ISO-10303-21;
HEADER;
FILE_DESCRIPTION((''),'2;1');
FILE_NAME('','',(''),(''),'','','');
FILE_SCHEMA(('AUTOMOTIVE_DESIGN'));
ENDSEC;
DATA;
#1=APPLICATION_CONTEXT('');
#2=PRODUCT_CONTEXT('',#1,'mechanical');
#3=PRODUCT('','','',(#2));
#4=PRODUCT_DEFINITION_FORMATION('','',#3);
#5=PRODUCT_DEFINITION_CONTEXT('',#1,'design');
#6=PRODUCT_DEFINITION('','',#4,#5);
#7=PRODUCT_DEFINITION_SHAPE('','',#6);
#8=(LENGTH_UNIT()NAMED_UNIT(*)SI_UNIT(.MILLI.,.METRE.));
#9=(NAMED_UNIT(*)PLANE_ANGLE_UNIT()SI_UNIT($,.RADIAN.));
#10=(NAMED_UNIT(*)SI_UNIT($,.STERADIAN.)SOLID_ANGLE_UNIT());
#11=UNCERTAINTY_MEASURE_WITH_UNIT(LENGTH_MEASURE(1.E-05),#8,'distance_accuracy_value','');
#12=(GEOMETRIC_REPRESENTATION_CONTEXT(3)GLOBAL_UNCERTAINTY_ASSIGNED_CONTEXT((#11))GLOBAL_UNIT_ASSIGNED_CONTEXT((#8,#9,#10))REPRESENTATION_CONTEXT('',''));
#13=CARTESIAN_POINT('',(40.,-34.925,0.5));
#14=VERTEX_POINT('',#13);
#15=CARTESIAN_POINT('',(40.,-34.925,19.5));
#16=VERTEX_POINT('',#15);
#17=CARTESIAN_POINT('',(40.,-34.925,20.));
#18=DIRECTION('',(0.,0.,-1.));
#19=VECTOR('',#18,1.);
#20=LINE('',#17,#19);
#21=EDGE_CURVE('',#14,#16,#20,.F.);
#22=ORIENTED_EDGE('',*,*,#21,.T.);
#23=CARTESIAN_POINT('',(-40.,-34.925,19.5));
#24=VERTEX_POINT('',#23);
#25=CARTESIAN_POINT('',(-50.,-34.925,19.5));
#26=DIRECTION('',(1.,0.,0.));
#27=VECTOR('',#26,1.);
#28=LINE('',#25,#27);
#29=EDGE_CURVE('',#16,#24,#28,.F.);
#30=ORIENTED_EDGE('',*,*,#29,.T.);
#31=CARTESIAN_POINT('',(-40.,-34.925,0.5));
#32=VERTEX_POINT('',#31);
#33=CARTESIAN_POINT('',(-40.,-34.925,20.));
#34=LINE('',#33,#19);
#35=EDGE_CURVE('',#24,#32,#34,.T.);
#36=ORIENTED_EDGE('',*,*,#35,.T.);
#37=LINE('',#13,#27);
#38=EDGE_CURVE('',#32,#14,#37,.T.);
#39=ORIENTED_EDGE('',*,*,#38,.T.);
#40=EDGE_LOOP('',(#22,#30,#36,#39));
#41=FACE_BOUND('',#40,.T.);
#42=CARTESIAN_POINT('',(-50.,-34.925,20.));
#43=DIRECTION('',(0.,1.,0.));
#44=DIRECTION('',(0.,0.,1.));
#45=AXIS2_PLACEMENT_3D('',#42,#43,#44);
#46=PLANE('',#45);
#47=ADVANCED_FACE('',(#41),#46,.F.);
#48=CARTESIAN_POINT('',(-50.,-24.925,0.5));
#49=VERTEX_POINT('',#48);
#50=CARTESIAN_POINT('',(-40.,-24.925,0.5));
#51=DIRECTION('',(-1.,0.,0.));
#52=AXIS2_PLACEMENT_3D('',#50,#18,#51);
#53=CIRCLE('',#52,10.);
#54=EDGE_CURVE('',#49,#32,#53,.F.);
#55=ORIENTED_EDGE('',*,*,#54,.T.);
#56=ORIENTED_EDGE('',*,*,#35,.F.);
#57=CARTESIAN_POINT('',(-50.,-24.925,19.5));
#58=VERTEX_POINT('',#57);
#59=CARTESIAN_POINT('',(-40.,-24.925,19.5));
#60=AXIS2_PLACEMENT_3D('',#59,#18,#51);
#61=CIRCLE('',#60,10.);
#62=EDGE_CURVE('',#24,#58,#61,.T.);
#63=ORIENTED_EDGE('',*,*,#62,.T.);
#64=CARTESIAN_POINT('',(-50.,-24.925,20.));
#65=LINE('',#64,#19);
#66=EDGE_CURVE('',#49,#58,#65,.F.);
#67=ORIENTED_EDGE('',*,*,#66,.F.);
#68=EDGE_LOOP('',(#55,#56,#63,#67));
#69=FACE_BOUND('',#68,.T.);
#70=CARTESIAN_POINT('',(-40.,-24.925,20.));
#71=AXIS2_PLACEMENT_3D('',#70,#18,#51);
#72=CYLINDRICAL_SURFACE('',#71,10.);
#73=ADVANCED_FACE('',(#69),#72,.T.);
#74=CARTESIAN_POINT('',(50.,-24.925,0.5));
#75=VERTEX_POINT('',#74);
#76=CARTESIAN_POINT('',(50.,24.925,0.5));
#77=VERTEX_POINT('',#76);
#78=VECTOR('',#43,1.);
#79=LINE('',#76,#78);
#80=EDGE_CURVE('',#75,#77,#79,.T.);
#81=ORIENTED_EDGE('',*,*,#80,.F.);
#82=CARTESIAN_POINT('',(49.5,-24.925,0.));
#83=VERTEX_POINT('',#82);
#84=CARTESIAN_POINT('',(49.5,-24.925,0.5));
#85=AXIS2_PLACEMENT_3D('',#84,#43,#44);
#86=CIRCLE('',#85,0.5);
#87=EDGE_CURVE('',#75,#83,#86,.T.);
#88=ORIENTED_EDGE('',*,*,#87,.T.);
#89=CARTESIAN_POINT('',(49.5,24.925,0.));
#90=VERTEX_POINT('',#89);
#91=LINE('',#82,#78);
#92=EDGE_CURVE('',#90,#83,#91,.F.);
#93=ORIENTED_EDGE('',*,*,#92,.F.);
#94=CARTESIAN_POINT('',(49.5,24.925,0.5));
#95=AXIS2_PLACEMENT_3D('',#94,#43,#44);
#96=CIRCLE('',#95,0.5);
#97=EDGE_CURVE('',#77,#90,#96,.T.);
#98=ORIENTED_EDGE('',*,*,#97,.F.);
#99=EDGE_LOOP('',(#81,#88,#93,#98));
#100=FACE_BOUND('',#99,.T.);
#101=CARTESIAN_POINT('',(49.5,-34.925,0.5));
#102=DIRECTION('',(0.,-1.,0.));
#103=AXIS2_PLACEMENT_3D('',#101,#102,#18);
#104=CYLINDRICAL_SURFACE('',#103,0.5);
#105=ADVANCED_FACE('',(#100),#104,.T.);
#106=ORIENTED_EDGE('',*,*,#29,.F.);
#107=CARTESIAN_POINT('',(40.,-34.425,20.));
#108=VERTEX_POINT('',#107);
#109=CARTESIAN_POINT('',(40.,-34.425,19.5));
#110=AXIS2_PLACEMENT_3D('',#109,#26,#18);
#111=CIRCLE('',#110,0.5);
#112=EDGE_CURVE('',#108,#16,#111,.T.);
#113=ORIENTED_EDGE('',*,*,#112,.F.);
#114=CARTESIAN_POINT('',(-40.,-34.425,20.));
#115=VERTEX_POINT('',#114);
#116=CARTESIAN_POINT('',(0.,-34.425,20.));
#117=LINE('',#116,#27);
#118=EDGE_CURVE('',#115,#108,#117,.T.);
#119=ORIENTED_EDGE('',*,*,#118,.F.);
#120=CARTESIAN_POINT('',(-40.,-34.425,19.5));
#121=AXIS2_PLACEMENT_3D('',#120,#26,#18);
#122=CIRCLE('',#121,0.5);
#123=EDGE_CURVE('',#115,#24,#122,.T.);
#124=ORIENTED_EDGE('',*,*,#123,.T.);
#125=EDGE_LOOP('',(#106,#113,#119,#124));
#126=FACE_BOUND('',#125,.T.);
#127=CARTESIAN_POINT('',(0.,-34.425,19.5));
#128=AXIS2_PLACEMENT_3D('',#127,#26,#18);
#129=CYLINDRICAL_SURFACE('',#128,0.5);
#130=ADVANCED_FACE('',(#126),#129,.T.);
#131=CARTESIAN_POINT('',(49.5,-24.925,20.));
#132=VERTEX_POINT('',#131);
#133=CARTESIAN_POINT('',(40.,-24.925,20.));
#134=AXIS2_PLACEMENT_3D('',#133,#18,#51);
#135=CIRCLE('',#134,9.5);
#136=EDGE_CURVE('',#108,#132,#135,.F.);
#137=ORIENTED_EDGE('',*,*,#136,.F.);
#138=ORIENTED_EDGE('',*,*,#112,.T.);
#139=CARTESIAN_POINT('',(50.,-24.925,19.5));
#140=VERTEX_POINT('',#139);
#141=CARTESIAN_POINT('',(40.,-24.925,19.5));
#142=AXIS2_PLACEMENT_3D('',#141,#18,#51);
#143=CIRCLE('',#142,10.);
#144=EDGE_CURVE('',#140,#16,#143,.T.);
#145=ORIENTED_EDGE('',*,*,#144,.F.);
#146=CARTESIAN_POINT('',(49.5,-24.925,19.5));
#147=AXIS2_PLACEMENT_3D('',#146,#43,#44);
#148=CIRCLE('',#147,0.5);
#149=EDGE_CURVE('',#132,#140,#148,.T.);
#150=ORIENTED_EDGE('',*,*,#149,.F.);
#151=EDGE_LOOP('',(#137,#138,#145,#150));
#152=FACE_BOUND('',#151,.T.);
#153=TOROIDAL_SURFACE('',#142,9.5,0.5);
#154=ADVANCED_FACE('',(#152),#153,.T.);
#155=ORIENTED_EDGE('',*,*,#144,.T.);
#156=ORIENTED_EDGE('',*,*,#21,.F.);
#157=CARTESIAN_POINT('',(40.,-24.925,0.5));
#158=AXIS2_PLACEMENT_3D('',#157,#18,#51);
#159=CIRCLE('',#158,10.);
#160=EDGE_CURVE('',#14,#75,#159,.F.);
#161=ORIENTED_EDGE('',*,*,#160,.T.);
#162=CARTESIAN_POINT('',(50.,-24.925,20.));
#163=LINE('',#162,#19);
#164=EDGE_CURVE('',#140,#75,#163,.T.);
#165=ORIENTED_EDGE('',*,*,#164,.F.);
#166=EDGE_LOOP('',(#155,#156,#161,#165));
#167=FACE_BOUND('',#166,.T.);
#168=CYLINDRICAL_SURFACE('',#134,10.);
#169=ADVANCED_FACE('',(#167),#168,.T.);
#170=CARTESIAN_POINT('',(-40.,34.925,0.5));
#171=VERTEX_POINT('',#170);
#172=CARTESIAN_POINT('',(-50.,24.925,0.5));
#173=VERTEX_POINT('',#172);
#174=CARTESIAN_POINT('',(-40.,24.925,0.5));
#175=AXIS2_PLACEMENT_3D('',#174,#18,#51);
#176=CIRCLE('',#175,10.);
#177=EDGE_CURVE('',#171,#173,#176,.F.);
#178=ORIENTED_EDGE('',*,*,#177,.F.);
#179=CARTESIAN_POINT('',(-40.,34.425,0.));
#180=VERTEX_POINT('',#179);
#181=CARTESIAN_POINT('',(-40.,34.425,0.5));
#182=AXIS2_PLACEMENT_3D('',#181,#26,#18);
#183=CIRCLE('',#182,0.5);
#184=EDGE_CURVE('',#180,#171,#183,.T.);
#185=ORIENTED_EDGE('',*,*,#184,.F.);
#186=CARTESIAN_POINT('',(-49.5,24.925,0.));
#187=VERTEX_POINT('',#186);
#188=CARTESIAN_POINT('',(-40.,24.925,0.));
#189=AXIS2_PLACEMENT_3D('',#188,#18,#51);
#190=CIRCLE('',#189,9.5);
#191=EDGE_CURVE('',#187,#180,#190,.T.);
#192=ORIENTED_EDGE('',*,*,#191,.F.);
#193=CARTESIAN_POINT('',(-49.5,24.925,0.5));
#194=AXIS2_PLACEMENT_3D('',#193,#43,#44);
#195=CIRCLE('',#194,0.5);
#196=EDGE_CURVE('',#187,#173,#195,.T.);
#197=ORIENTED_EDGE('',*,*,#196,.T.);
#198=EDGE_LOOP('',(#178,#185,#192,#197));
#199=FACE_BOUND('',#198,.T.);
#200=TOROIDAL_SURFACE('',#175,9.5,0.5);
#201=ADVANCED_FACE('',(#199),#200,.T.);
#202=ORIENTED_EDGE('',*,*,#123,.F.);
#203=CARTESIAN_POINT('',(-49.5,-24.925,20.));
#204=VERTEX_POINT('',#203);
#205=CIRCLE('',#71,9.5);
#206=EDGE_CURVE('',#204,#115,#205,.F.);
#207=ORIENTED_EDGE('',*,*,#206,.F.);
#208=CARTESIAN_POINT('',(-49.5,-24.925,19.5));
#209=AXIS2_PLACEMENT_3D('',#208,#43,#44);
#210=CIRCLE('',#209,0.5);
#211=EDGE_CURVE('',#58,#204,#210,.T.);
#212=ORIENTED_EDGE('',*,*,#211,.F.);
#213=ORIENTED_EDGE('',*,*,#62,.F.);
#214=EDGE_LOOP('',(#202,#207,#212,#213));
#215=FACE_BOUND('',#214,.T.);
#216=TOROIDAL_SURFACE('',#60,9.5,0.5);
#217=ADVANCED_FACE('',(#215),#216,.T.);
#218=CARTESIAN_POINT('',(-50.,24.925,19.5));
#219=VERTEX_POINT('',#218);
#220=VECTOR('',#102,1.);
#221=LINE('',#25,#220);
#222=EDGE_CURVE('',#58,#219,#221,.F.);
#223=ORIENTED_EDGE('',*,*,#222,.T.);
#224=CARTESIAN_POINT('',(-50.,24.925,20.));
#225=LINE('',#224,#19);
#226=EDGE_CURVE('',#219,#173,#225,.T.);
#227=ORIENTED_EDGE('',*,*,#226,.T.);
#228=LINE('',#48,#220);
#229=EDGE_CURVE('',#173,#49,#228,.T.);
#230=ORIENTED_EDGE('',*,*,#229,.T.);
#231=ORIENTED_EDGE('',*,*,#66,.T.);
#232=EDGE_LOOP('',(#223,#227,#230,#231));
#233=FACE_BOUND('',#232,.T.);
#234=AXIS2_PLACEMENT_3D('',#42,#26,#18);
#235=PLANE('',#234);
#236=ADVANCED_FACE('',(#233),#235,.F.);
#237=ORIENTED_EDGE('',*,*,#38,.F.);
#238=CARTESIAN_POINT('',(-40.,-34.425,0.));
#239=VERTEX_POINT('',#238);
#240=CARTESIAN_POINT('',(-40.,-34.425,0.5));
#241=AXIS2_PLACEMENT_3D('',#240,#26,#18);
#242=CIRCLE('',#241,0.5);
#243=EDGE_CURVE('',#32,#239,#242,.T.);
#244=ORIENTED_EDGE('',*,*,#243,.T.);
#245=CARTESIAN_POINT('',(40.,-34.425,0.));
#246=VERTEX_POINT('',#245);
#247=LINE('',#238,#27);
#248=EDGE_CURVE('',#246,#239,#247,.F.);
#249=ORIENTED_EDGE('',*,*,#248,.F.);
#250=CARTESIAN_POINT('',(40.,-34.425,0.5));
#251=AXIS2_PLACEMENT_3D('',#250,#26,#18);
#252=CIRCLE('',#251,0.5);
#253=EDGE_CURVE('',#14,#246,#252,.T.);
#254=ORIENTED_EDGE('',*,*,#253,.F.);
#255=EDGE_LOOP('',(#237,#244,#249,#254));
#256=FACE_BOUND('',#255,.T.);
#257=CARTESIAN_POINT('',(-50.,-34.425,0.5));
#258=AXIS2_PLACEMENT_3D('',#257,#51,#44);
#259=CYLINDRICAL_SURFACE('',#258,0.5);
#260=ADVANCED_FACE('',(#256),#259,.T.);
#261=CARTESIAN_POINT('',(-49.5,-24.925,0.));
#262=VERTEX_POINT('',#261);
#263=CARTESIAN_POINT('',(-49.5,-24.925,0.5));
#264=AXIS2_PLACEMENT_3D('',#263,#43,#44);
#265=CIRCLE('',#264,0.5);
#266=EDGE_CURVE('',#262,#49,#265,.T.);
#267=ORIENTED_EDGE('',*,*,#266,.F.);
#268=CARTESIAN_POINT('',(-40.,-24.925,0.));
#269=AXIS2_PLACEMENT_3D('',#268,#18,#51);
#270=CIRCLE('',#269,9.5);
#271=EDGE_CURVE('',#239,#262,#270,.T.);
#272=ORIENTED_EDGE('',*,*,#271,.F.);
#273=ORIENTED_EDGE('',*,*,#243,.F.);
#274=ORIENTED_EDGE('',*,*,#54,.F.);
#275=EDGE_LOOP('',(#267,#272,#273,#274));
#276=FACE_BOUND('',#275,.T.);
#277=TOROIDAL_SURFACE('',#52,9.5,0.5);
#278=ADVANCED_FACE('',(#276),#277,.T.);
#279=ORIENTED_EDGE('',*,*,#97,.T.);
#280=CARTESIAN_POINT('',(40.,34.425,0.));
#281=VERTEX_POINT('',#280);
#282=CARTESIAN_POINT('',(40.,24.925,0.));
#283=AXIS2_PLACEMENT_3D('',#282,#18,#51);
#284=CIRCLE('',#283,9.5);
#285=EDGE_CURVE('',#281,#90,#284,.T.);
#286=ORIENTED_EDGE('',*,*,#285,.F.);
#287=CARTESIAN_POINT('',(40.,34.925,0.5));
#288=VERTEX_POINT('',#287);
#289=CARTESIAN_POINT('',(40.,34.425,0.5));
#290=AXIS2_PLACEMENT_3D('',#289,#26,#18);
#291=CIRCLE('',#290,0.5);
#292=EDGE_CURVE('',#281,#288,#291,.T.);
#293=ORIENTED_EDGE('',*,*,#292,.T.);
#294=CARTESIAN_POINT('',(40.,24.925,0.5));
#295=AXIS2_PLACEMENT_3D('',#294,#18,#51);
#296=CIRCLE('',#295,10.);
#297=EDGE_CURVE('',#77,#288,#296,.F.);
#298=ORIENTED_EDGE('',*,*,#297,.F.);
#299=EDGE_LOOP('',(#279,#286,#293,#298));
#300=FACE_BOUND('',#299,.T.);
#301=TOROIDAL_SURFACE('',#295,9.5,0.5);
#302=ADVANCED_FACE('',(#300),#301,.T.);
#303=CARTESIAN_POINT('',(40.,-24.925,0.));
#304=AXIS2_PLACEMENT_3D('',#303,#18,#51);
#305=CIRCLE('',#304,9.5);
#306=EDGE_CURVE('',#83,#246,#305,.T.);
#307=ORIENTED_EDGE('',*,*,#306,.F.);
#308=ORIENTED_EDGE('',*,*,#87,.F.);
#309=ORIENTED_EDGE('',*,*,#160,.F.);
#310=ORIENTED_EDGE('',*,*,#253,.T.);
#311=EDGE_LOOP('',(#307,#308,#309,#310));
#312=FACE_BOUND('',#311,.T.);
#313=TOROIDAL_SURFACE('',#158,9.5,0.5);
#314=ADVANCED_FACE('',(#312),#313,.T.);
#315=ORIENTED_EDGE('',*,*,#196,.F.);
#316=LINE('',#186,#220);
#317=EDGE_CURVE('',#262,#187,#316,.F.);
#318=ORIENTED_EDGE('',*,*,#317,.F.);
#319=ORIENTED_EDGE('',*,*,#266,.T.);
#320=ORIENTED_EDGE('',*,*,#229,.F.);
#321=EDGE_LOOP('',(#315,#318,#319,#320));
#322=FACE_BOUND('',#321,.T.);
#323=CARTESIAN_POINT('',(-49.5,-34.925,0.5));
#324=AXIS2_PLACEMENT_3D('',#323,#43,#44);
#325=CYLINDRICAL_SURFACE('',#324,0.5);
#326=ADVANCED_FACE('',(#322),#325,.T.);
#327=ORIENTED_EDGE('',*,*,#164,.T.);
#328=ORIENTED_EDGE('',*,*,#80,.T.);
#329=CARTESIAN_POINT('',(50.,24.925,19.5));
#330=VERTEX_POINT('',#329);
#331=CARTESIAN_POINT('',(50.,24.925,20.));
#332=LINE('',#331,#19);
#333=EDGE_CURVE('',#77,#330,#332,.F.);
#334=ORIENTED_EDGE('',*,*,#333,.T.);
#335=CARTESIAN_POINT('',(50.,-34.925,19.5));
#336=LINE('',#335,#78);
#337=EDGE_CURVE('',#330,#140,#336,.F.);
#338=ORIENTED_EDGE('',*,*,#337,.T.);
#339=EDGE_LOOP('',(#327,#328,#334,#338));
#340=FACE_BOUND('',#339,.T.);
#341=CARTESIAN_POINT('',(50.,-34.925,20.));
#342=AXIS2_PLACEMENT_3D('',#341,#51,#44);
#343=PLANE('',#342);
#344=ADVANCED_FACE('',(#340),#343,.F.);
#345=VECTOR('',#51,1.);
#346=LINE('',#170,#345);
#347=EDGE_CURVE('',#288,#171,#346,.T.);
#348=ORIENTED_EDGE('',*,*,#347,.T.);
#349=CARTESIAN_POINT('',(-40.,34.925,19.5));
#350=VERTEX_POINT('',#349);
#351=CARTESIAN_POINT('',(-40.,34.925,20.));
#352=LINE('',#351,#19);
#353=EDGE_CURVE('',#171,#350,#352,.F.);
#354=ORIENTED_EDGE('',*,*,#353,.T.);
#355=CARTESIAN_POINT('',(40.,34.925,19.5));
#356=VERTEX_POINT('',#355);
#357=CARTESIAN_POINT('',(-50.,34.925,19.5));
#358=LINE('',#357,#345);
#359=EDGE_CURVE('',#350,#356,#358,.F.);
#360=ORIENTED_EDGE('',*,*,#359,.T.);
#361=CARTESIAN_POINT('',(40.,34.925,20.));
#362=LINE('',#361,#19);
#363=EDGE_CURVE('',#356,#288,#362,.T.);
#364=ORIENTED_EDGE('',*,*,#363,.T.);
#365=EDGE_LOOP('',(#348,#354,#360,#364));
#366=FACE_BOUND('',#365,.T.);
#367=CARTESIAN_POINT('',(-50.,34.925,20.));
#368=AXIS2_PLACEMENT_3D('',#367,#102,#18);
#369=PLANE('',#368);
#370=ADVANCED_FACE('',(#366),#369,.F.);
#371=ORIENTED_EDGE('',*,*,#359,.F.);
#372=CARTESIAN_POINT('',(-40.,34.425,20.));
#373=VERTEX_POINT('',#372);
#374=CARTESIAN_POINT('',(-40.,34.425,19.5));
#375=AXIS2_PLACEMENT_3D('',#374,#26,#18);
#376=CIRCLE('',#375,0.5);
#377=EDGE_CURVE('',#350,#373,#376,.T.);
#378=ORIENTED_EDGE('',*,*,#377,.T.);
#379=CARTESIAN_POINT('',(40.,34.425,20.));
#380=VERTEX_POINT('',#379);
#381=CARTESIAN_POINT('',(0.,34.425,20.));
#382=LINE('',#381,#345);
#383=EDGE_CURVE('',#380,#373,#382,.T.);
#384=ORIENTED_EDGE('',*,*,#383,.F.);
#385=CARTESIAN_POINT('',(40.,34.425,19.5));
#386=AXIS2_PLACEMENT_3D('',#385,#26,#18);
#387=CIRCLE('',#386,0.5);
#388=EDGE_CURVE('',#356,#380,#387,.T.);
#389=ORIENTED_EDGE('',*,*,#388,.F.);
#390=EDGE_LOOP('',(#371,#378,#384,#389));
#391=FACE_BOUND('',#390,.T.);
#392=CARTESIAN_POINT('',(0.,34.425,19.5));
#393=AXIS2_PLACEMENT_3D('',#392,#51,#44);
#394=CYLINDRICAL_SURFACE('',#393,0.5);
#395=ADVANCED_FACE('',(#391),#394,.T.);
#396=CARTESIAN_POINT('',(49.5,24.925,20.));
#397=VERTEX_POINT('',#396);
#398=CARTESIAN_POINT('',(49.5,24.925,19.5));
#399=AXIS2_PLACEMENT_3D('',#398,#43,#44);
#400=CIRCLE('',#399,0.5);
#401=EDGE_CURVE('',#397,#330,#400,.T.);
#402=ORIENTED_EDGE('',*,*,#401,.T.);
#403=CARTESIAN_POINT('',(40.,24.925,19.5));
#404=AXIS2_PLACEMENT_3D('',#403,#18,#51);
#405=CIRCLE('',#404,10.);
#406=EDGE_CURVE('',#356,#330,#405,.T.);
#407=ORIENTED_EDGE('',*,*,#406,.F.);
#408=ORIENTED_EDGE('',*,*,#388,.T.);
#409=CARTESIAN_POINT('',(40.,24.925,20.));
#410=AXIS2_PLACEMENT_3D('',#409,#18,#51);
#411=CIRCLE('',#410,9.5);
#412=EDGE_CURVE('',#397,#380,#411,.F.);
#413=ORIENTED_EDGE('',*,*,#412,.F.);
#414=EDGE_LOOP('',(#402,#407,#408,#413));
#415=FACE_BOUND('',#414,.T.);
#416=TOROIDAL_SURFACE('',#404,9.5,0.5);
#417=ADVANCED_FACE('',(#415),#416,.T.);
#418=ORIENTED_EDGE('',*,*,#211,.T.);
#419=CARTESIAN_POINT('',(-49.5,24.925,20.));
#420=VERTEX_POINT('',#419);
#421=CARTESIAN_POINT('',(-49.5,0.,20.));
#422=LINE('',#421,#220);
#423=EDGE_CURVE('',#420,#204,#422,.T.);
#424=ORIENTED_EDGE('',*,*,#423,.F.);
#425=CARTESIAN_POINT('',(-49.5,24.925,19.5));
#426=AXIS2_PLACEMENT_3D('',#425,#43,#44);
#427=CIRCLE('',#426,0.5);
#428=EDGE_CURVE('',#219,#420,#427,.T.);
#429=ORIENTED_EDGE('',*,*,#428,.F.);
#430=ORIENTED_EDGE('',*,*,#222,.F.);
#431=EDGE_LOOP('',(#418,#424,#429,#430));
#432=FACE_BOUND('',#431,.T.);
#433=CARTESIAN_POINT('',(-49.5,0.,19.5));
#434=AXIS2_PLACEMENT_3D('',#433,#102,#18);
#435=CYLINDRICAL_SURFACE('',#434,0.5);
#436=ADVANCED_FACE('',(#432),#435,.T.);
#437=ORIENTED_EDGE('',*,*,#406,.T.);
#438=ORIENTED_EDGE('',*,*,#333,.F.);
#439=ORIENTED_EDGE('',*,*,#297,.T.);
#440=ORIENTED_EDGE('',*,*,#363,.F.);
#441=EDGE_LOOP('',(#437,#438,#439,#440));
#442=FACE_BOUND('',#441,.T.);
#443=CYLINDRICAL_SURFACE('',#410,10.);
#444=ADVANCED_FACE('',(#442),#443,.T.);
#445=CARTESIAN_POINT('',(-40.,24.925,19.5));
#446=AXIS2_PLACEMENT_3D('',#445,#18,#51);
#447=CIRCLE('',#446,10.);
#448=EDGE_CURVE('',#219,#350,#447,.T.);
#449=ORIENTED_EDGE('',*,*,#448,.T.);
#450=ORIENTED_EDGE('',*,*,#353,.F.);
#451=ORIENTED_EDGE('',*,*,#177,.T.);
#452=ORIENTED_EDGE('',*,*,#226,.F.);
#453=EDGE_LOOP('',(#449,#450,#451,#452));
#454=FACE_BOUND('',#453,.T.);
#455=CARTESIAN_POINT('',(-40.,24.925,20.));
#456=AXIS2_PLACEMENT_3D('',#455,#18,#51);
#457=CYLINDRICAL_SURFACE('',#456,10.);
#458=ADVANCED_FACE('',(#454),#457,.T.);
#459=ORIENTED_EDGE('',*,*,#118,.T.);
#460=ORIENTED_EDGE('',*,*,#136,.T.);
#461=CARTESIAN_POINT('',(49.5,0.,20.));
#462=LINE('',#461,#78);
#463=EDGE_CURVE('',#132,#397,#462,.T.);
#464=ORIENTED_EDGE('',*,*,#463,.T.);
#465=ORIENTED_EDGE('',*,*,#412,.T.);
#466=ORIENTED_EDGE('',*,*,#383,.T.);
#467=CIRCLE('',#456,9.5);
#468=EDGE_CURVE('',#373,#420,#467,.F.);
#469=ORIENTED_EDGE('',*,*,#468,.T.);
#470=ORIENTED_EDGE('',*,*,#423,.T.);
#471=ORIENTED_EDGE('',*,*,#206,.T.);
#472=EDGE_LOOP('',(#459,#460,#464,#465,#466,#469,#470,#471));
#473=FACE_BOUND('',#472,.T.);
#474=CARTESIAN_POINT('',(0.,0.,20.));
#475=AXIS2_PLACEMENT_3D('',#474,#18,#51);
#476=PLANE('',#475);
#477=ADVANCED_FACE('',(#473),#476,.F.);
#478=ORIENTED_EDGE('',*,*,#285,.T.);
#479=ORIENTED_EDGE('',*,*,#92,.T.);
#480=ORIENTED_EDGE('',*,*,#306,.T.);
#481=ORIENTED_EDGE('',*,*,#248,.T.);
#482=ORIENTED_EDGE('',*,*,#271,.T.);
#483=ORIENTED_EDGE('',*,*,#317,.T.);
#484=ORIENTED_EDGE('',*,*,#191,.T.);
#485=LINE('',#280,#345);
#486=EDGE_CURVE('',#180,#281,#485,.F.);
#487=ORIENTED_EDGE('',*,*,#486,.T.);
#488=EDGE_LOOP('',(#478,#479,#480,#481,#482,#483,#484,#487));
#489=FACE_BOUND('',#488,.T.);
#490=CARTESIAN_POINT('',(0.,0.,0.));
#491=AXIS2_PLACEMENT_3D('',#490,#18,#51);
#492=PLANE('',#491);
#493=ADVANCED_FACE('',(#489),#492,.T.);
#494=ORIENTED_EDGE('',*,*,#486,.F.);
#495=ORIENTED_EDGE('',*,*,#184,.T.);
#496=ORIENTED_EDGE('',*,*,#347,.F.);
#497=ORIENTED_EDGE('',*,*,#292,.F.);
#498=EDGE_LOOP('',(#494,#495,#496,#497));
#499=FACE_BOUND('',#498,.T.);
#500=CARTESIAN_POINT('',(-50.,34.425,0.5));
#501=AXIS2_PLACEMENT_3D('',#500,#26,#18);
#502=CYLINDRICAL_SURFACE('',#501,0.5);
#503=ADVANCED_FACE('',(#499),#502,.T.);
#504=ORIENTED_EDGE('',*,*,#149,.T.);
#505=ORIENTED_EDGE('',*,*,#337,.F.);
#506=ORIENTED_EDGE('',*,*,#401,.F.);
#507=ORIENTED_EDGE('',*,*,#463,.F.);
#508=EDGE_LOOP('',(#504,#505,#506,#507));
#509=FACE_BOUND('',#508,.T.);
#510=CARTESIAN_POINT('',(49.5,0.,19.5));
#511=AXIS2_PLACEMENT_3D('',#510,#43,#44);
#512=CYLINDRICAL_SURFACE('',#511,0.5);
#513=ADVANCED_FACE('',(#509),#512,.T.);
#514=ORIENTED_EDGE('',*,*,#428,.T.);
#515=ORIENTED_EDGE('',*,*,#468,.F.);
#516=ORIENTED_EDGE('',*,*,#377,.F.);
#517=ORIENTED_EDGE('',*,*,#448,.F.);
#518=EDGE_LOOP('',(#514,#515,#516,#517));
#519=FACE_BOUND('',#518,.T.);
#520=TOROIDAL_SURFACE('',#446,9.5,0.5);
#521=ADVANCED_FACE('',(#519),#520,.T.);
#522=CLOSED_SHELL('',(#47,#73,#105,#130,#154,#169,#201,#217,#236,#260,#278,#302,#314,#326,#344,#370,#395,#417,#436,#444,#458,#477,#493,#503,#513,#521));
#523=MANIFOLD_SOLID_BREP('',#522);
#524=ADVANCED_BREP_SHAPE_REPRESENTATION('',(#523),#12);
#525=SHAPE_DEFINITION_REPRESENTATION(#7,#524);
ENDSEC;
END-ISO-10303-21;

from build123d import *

# Parameters (mm, degrees)
SKETCH1_W           = 100
SKETCH1_H           = 69.85
BOSS_EXTRUDE1_DEPTH = 20
FILLET1_R           = 10
FILLET2_R           = 0.5


with BuildPart() as part:
    # Sketch1 → Boss-Extrude1 (new body)
    with BuildSketch(Plane.XY):
        Rectangle(SKETCH1_W, SKETCH1_H)
    extrude(amount=BOSS_EXTRUDE1_DEPTH)

    # Fillet1
    fillet1_edges = [part.edges().sort_by_distance(p)[0] for p in [
        (50, -34.925, 10),
        (-50, -34.925, 10),
        (-50, 34.925, 10),
        (50, 34.925, 10),
    ]]
    fillet(fillet1_edges, radius=FILLET1_R)

    # Fillet2
    fillet2_edges = [part.edges().sort_by_distance(p)[0] for p in [
        (0, -34.925, 0),
        (0, -34.925, 20),
        (50, 0, 0),
        (-50, 0, 0),
        (0, 34.925, 0),
        (-47.071067812, 31.996067812, 0),
        (47.071067812, 31.996067812, 0),
        (47.071067812, -31.996067812, 0),
        (-47.071067812, -31.996067812, 0),
        (-50, 0, 20),
        (50, 0, 20),
        (0, 34.925, 20),
        (-47.071067812, 31.996067812, 20),
        (47.071067812, 31.996067812, 20),
        (47.071067812, -31.996067812, 20),
        (-47.071067812, -31.996067812, 20),
    ]]
    fillet(fillet2_edges, radius=FILLET2_R)


solid = part.part
